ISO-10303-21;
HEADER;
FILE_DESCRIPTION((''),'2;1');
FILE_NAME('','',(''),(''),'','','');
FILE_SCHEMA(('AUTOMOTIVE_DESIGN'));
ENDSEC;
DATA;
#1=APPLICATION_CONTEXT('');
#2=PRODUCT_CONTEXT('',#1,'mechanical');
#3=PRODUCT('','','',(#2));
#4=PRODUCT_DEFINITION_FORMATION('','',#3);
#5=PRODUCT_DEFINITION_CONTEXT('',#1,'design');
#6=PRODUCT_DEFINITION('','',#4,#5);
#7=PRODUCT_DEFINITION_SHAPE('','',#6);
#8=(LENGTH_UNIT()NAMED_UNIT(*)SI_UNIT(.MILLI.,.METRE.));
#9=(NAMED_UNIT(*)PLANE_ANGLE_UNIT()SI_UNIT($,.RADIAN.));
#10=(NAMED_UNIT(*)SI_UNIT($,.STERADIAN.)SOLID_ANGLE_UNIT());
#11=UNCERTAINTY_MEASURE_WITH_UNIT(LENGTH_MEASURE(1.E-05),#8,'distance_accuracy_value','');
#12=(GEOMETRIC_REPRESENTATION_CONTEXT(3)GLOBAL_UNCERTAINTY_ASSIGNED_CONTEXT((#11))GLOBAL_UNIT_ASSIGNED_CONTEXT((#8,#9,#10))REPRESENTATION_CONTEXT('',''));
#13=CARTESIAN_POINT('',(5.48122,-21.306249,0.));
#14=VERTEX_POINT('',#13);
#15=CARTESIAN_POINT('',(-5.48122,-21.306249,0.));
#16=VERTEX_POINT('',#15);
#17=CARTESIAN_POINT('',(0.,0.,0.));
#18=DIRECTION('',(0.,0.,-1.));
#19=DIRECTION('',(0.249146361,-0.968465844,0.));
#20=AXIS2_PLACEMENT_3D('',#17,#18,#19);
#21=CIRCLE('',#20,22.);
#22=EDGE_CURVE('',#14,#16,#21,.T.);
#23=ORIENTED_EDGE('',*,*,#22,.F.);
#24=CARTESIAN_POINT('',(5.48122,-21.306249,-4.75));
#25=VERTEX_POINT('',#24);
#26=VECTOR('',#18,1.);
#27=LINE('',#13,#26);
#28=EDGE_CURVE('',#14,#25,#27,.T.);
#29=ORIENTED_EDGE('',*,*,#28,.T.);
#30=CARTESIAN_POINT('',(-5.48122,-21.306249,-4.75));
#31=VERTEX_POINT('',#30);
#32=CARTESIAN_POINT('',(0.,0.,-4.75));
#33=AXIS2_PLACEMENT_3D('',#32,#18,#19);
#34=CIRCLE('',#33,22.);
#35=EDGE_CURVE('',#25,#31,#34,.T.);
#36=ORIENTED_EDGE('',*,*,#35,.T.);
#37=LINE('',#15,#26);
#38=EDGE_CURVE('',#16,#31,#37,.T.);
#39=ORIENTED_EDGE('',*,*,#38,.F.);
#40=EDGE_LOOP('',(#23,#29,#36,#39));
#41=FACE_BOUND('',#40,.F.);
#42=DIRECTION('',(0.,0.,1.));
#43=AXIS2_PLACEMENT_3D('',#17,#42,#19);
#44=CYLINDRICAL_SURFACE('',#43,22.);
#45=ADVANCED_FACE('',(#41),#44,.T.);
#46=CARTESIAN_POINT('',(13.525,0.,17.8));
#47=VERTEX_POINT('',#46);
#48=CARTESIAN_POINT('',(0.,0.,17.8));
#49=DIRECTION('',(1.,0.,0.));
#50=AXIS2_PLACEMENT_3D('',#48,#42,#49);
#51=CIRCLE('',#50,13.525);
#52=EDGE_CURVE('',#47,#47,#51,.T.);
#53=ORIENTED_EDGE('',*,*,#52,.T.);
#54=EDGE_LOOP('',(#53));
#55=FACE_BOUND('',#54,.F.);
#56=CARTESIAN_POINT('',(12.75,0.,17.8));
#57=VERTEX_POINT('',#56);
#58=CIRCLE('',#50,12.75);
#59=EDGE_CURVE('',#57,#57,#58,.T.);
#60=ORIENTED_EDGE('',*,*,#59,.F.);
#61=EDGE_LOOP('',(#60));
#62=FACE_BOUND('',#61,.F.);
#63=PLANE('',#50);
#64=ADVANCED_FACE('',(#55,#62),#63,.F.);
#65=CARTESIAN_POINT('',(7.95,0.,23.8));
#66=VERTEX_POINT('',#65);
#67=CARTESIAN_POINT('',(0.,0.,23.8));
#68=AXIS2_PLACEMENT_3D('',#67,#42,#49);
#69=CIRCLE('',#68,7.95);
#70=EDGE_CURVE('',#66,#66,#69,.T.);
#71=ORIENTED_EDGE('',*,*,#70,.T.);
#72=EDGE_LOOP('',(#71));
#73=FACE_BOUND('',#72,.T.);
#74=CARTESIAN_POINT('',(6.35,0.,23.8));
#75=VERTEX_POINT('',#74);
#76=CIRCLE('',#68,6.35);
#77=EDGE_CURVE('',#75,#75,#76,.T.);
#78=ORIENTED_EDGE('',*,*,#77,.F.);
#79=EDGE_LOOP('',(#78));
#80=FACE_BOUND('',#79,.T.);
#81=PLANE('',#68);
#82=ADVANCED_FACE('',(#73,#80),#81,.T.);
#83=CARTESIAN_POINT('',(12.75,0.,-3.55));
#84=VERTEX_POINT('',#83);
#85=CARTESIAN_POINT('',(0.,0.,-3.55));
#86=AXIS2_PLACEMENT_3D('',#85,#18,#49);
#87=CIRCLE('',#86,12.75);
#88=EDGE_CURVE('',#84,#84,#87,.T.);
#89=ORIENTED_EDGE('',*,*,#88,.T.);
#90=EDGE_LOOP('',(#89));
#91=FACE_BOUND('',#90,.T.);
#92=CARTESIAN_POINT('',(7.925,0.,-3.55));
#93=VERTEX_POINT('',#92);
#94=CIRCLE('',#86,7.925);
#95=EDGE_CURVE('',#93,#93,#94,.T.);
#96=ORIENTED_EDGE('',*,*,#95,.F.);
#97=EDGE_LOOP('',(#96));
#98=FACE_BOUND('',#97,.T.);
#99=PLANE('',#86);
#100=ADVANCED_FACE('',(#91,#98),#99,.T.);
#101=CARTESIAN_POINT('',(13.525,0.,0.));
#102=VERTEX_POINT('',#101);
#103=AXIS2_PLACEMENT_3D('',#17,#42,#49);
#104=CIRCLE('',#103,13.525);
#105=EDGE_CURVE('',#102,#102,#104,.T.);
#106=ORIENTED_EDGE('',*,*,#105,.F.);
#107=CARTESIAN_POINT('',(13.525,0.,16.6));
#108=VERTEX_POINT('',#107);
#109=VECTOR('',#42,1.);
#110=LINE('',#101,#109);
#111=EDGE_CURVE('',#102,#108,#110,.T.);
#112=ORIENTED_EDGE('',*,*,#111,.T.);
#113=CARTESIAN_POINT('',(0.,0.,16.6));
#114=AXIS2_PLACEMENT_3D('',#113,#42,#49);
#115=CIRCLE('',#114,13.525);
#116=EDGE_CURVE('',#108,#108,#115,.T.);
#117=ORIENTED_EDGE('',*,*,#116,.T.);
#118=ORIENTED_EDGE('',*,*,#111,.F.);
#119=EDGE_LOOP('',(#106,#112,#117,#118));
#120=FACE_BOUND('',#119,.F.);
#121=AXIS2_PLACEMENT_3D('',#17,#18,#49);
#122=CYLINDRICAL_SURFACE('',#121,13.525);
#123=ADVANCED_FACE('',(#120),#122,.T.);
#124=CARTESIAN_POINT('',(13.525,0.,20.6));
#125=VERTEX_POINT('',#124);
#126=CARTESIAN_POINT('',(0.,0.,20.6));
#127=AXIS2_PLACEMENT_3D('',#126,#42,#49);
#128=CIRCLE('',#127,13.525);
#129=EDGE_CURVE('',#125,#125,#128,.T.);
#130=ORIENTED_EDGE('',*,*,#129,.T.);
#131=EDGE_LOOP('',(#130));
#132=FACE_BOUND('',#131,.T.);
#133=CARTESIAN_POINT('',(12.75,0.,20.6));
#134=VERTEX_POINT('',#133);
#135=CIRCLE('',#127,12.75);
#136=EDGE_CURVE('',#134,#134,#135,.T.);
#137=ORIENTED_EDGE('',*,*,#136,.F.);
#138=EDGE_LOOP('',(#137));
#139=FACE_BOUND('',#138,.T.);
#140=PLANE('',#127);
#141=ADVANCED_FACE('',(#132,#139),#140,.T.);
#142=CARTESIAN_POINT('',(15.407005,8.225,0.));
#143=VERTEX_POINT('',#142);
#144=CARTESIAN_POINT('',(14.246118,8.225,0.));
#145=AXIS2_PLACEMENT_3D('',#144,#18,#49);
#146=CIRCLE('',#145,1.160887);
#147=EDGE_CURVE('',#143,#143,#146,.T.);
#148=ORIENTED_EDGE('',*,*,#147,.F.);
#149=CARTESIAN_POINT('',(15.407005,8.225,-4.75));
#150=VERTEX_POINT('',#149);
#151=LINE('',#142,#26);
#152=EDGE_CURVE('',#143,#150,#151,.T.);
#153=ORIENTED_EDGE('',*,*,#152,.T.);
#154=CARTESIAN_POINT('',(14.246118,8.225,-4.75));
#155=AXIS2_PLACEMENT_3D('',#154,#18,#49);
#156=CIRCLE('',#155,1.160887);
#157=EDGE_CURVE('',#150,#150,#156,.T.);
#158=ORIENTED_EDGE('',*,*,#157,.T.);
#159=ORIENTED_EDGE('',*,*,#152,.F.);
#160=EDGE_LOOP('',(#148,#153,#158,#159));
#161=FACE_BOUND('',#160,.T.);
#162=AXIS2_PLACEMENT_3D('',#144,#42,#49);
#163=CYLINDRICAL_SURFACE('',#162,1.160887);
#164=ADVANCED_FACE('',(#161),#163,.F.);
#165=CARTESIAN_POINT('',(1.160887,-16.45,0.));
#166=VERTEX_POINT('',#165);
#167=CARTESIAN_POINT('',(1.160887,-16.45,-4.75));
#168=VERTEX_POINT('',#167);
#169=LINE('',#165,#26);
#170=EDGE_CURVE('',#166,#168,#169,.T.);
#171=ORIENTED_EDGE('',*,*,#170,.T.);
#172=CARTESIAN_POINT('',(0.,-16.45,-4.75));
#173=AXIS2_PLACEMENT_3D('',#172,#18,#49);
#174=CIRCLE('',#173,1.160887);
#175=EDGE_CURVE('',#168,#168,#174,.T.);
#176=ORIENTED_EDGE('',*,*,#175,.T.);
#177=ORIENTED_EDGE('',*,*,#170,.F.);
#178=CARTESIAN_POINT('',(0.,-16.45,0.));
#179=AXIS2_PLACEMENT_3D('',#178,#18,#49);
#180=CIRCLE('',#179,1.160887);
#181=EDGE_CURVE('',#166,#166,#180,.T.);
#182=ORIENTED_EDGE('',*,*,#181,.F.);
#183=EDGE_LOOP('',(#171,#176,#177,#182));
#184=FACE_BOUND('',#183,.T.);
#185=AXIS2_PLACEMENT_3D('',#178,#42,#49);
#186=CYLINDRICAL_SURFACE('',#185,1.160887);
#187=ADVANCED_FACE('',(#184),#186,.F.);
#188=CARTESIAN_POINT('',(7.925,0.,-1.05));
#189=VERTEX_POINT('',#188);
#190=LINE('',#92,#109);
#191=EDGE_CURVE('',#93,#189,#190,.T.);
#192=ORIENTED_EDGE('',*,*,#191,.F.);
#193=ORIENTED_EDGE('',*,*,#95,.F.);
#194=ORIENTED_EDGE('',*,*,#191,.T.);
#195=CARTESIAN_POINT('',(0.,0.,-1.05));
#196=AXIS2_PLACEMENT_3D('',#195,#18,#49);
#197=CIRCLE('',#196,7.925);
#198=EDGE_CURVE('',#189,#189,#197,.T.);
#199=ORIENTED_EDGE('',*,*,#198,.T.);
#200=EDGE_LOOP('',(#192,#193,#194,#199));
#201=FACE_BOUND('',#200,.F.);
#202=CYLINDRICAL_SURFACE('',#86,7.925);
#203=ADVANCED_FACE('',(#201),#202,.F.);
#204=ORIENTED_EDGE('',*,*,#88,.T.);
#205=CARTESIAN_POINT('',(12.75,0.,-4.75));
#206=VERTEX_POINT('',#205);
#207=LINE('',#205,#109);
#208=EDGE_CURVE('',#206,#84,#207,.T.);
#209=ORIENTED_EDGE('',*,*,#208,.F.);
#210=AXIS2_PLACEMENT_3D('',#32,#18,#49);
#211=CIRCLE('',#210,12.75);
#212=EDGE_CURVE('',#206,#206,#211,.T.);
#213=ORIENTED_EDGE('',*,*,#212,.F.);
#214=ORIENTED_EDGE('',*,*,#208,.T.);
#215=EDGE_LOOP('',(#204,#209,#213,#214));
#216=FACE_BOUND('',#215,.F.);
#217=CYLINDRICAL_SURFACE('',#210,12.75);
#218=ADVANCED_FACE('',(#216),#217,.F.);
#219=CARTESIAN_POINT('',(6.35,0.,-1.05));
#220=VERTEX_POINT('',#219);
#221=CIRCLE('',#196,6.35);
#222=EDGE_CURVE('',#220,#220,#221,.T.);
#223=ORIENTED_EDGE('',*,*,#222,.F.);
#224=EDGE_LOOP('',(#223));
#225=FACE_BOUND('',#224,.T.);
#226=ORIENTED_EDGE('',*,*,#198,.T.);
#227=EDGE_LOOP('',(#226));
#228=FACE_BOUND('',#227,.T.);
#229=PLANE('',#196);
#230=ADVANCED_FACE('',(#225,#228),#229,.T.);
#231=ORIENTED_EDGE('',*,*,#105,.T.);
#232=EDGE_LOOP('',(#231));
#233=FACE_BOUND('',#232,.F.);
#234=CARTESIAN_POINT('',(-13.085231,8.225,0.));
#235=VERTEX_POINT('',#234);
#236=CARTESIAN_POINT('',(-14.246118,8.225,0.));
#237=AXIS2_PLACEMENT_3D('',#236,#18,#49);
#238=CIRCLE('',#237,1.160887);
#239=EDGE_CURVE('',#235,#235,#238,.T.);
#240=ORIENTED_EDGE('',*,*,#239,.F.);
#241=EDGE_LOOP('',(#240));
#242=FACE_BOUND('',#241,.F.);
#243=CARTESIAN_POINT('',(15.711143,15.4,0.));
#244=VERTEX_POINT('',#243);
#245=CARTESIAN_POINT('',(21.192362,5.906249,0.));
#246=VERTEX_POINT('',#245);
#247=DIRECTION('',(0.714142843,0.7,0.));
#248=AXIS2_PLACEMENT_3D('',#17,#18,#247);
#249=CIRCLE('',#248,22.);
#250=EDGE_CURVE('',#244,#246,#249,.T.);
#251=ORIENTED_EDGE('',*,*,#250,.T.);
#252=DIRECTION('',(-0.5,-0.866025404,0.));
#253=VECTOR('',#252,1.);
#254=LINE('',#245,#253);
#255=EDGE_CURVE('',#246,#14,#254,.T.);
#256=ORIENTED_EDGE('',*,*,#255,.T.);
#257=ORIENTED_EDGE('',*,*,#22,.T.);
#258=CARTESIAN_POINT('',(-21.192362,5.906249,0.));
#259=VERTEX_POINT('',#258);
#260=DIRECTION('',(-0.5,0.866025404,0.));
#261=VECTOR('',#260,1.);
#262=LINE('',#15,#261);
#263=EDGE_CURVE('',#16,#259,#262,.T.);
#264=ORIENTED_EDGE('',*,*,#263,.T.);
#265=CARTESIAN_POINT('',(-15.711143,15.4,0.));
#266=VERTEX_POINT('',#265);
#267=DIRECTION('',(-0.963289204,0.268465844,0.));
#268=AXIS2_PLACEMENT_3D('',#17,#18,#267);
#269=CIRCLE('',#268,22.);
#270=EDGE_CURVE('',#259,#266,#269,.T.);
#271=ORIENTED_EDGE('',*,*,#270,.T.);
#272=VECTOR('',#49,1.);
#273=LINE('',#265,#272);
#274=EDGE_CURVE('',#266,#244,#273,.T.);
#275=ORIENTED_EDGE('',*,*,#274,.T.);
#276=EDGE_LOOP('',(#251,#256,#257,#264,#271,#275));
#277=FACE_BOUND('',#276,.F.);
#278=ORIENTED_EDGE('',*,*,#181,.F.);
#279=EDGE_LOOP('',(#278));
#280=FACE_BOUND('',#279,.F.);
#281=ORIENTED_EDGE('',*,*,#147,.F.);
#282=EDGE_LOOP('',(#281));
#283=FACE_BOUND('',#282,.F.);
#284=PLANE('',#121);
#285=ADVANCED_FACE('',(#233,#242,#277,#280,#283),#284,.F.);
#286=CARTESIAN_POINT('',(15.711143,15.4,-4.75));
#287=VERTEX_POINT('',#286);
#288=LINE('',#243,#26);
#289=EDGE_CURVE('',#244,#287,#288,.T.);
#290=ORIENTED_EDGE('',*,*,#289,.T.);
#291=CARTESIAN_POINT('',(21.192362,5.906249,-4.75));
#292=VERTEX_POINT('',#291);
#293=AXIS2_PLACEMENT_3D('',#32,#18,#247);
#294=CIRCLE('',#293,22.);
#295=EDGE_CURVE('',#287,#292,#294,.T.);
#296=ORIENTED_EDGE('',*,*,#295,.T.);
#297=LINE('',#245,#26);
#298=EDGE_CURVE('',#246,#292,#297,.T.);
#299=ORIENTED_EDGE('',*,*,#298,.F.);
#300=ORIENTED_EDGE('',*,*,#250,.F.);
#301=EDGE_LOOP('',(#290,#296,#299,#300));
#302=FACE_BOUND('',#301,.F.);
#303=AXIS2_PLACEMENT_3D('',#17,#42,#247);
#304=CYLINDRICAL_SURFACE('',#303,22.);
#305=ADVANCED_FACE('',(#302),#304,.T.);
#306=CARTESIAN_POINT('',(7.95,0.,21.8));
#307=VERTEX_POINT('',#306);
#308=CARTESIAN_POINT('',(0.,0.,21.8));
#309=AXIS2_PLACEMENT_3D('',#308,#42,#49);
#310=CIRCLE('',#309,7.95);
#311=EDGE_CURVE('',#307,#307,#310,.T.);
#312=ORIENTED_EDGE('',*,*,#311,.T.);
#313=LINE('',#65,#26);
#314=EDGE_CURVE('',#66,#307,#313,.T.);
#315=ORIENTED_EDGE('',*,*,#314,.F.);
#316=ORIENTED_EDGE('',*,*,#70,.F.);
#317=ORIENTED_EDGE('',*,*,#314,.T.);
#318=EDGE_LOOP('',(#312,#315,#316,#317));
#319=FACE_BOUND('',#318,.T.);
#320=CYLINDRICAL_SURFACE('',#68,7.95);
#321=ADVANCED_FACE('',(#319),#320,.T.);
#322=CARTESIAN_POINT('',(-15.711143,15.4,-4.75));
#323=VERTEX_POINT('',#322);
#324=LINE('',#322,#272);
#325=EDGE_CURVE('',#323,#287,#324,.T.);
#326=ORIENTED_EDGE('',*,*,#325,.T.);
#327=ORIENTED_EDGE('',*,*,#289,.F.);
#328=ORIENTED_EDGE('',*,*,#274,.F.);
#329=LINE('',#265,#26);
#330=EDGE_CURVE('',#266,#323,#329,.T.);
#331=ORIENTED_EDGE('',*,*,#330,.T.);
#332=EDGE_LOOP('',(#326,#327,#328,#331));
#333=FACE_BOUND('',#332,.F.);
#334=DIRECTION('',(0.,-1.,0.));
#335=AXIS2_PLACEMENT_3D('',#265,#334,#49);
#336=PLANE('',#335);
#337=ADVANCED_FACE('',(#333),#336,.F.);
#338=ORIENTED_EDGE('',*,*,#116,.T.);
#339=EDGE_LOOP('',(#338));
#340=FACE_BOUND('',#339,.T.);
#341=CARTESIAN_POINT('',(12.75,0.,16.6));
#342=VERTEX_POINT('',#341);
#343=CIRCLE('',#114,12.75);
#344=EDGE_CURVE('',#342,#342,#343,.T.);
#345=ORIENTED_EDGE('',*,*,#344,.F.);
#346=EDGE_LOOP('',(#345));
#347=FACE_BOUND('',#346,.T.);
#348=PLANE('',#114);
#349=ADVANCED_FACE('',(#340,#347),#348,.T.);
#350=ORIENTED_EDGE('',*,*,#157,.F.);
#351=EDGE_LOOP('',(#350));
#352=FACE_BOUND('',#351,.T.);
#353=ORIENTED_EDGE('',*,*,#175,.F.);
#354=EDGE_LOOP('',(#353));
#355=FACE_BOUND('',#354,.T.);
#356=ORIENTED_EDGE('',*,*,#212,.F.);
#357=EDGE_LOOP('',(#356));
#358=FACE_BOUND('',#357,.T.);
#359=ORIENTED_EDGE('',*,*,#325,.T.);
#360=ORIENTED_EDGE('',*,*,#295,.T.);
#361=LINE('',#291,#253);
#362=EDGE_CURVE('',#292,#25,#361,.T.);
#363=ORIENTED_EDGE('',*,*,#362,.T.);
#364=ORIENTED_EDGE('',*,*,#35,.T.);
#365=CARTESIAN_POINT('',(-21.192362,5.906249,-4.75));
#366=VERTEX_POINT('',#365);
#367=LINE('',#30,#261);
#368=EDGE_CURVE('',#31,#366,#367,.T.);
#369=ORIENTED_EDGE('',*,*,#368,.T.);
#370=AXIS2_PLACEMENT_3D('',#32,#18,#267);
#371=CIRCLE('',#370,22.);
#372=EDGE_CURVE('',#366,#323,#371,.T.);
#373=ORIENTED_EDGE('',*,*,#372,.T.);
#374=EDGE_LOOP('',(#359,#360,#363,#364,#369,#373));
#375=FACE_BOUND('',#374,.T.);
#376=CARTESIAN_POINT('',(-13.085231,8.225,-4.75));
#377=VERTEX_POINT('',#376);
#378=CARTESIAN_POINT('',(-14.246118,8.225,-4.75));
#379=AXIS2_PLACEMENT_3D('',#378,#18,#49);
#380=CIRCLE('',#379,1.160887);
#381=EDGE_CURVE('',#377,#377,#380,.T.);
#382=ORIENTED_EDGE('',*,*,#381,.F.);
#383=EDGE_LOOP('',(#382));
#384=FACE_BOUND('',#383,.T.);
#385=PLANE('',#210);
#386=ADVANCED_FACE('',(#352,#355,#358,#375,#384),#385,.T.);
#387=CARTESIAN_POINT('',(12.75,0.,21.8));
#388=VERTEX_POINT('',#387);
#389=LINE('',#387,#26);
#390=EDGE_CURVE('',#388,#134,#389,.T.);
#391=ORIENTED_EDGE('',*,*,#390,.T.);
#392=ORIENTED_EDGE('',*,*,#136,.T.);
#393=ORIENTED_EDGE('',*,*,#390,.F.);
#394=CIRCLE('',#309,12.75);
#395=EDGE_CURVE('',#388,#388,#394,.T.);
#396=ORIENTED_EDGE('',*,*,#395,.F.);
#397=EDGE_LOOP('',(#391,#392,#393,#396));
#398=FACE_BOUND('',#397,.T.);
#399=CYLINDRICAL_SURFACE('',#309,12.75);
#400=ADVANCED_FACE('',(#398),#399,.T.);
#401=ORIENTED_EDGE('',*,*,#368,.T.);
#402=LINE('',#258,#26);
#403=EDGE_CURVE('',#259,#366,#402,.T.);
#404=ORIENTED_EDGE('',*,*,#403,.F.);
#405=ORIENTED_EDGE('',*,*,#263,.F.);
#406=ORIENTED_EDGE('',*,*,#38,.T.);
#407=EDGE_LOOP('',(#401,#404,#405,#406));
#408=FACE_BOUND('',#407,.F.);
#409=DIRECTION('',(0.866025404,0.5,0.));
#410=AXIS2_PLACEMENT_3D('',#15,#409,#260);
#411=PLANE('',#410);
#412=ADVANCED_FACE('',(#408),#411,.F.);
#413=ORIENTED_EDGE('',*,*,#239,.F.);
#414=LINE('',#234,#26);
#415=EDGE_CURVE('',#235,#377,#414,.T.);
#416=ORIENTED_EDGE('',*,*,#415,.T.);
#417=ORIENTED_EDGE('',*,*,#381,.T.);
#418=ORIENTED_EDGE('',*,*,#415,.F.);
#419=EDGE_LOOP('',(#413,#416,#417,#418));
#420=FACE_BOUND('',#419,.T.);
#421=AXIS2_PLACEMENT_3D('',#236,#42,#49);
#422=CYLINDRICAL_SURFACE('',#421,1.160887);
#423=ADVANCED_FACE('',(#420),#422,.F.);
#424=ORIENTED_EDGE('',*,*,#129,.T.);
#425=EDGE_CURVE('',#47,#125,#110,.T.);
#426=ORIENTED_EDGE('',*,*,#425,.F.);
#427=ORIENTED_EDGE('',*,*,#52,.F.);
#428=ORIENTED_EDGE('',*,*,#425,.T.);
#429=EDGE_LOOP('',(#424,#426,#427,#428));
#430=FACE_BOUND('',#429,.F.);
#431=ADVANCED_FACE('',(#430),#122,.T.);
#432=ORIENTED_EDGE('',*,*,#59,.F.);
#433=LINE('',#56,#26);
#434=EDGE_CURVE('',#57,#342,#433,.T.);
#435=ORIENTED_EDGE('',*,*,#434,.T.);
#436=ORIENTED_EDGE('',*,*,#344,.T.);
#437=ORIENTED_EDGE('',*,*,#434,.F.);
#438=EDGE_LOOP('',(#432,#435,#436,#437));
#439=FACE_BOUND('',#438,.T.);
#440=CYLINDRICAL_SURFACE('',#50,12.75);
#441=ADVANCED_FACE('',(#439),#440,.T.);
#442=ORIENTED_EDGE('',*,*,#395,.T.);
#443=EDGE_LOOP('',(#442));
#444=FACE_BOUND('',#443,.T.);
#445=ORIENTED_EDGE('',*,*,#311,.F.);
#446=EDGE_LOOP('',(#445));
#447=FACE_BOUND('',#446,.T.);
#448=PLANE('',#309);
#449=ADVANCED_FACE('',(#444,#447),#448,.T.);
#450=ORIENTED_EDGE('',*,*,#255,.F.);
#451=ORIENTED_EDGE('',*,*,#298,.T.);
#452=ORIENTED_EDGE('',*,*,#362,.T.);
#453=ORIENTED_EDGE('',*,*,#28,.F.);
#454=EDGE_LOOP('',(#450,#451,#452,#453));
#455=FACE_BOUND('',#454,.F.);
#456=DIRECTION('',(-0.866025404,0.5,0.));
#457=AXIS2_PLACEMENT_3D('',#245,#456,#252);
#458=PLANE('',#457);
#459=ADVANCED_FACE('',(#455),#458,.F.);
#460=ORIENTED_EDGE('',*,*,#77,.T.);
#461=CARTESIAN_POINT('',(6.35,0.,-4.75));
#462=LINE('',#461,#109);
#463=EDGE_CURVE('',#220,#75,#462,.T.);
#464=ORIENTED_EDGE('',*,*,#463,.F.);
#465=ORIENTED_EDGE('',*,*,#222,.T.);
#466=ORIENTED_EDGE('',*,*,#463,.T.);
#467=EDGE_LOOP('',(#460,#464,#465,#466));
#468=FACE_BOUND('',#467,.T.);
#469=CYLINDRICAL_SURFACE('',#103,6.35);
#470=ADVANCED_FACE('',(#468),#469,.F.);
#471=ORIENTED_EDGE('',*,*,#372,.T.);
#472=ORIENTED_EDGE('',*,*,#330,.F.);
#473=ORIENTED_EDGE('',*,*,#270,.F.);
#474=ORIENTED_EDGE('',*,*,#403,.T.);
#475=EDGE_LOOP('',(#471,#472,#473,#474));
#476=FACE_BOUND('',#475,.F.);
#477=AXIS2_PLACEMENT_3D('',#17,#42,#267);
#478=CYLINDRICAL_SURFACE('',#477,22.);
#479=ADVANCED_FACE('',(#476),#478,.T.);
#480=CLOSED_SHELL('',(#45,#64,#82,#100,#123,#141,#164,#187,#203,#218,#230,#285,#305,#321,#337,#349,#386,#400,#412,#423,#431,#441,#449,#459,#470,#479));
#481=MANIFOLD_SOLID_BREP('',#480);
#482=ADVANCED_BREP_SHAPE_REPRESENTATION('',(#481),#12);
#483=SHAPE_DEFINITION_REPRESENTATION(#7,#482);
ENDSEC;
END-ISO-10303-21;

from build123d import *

# Parameters (mm, degrees)
F0_R      = 13.525
F0_R_2    = 6.35
F1_DEPTH  = 23.8
F2_R      = 13.525
F2_R_2    = 7.95
F3_DEPTH  = 2
F4_R      = 13.525
F4_R_2    = 12.75
F5_DEPTH  = 1.2
F6_R      = 1.1608870099
F6_R_2    = 13.525
F6_R_3    = 6.35
F7_DEPTH  = 4.75
F8_R      = 12.75
F8_R_2    = 6.35
F9_DEPTH  = 1.2
F10_R     = 7.925
F10_R_2   = 6.35
F11_DEPTH = 2.5
F13_R     = 13.525
F13_R_2   = 12.75
F14_DEPTH = 1.2


with BuildPart() as f1:
    # F0 (on Top) → F1 (new body)
    with BuildSketch(Plane.XY):
        Circle(F0_R)
        Circle(F0_R_2, mode=Mode.SUBTRACT)
    extrude(amount=F1_DEPTH)

    # F2 (on face) → F3 (cut)
    with BuildSketch(Plane.XY.offset(23.8)):
        Circle(F2_R)
        Circle(F2_R_2, mode=Mode.SUBTRACT)
    extrude(amount=-F3_DEPTH, mode=Mode.SUBTRACT)

    # F4 (on face) → F5 (cut)
    with BuildSketch(Plane.XY.offset(21.8)):
        Circle(F4_R)
        Circle(F4_R_2, mode=Mode.SUBTRACT)
    extrude(amount=-F5_DEPTH, mode=Mode.SUBTRACT)

    # F6 (on face) → F7 (join)
    with BuildSketch(Plane(origin=(0, 0, 0), x_dir=(1, 0, 0), z_dir=(0, 0, -1))):
        with BuildLine():
            Line((21.1923624897, -5.9062485645), (5.4812199469, 21.3062485645))
            ThreePointArc((5.4812199469, 21.3062485645), (0, 22), (-5.4812199469, 21.3062485645))
            Line((-5.4812199469, 21.3062485645), (-21.1923624897, -5.9062485645))
            ThreePointArc((-21.1923624897, -5.9062485645), (-19.0525588833, -11), (-15.7111425428, -15.4))
            Line((-15.7111425428, -15.4), (15.7111425428, -15.4))
            ThreePointArc((15.7111425428, -15.4), (19.0525588833, -11), (21.1923624897, -5.9062485645))
        make_face()
        with Locations((-14.2461178923, -8.225)):
            Circle(F6_R, mode=Mode.SUBTRACT)
        with Locations((14.2461178923, -8.225)):
            Circle(F6_R, mode=Mode.SUBTRACT)
        Circle(F6_R_2, mode=Mode.SUBTRACT)
        with Locations((0, 16.45)):
            Circle(F6_R, mode=Mode.SUBTRACT)
        Circle(F6_R_2)
        Circle(F6_R_3, mode=Mode.SUBTRACT)
    extrude(amount=F7_DEPTH)

    # F8 (on face) → F9 (cut)
    with BuildSketch(Plane(origin=(0, 0, -4.75), x_dir=(1, 0, 0), z_dir=(0, 0, -1))):
        Circle(F8_R)
        Circle(F8_R_2, mode=Mode.SUBTRACT)
    extrude(amount=-F9_DEPTH, mode=Mode.SUBTRACT)

    # F10 (on face) → F11 (cut)
    with BuildSketch(Plane(origin=(0, 0, -3.55), x_dir=(1, 0, 0), z_dir=(0, 0, -1))):
        Circle(F10_R)
        Circle(F10_R_2, mode=Mode.SUBTRACT)
    extrude(amount=-F11_DEPTH, mode=Mode.SUBTRACT)

    # F13 (on offset) → F14 (cut)
    with BuildSketch(Plane.XY.offset(17.8)):
        Circle(F13_R)
        Circle(F13_R_2, mode=Mode.SUBTRACT)
    extrude(amount=-F14_DEPTH, mode=Mode.SUBTRACT)


solid = f1.part
